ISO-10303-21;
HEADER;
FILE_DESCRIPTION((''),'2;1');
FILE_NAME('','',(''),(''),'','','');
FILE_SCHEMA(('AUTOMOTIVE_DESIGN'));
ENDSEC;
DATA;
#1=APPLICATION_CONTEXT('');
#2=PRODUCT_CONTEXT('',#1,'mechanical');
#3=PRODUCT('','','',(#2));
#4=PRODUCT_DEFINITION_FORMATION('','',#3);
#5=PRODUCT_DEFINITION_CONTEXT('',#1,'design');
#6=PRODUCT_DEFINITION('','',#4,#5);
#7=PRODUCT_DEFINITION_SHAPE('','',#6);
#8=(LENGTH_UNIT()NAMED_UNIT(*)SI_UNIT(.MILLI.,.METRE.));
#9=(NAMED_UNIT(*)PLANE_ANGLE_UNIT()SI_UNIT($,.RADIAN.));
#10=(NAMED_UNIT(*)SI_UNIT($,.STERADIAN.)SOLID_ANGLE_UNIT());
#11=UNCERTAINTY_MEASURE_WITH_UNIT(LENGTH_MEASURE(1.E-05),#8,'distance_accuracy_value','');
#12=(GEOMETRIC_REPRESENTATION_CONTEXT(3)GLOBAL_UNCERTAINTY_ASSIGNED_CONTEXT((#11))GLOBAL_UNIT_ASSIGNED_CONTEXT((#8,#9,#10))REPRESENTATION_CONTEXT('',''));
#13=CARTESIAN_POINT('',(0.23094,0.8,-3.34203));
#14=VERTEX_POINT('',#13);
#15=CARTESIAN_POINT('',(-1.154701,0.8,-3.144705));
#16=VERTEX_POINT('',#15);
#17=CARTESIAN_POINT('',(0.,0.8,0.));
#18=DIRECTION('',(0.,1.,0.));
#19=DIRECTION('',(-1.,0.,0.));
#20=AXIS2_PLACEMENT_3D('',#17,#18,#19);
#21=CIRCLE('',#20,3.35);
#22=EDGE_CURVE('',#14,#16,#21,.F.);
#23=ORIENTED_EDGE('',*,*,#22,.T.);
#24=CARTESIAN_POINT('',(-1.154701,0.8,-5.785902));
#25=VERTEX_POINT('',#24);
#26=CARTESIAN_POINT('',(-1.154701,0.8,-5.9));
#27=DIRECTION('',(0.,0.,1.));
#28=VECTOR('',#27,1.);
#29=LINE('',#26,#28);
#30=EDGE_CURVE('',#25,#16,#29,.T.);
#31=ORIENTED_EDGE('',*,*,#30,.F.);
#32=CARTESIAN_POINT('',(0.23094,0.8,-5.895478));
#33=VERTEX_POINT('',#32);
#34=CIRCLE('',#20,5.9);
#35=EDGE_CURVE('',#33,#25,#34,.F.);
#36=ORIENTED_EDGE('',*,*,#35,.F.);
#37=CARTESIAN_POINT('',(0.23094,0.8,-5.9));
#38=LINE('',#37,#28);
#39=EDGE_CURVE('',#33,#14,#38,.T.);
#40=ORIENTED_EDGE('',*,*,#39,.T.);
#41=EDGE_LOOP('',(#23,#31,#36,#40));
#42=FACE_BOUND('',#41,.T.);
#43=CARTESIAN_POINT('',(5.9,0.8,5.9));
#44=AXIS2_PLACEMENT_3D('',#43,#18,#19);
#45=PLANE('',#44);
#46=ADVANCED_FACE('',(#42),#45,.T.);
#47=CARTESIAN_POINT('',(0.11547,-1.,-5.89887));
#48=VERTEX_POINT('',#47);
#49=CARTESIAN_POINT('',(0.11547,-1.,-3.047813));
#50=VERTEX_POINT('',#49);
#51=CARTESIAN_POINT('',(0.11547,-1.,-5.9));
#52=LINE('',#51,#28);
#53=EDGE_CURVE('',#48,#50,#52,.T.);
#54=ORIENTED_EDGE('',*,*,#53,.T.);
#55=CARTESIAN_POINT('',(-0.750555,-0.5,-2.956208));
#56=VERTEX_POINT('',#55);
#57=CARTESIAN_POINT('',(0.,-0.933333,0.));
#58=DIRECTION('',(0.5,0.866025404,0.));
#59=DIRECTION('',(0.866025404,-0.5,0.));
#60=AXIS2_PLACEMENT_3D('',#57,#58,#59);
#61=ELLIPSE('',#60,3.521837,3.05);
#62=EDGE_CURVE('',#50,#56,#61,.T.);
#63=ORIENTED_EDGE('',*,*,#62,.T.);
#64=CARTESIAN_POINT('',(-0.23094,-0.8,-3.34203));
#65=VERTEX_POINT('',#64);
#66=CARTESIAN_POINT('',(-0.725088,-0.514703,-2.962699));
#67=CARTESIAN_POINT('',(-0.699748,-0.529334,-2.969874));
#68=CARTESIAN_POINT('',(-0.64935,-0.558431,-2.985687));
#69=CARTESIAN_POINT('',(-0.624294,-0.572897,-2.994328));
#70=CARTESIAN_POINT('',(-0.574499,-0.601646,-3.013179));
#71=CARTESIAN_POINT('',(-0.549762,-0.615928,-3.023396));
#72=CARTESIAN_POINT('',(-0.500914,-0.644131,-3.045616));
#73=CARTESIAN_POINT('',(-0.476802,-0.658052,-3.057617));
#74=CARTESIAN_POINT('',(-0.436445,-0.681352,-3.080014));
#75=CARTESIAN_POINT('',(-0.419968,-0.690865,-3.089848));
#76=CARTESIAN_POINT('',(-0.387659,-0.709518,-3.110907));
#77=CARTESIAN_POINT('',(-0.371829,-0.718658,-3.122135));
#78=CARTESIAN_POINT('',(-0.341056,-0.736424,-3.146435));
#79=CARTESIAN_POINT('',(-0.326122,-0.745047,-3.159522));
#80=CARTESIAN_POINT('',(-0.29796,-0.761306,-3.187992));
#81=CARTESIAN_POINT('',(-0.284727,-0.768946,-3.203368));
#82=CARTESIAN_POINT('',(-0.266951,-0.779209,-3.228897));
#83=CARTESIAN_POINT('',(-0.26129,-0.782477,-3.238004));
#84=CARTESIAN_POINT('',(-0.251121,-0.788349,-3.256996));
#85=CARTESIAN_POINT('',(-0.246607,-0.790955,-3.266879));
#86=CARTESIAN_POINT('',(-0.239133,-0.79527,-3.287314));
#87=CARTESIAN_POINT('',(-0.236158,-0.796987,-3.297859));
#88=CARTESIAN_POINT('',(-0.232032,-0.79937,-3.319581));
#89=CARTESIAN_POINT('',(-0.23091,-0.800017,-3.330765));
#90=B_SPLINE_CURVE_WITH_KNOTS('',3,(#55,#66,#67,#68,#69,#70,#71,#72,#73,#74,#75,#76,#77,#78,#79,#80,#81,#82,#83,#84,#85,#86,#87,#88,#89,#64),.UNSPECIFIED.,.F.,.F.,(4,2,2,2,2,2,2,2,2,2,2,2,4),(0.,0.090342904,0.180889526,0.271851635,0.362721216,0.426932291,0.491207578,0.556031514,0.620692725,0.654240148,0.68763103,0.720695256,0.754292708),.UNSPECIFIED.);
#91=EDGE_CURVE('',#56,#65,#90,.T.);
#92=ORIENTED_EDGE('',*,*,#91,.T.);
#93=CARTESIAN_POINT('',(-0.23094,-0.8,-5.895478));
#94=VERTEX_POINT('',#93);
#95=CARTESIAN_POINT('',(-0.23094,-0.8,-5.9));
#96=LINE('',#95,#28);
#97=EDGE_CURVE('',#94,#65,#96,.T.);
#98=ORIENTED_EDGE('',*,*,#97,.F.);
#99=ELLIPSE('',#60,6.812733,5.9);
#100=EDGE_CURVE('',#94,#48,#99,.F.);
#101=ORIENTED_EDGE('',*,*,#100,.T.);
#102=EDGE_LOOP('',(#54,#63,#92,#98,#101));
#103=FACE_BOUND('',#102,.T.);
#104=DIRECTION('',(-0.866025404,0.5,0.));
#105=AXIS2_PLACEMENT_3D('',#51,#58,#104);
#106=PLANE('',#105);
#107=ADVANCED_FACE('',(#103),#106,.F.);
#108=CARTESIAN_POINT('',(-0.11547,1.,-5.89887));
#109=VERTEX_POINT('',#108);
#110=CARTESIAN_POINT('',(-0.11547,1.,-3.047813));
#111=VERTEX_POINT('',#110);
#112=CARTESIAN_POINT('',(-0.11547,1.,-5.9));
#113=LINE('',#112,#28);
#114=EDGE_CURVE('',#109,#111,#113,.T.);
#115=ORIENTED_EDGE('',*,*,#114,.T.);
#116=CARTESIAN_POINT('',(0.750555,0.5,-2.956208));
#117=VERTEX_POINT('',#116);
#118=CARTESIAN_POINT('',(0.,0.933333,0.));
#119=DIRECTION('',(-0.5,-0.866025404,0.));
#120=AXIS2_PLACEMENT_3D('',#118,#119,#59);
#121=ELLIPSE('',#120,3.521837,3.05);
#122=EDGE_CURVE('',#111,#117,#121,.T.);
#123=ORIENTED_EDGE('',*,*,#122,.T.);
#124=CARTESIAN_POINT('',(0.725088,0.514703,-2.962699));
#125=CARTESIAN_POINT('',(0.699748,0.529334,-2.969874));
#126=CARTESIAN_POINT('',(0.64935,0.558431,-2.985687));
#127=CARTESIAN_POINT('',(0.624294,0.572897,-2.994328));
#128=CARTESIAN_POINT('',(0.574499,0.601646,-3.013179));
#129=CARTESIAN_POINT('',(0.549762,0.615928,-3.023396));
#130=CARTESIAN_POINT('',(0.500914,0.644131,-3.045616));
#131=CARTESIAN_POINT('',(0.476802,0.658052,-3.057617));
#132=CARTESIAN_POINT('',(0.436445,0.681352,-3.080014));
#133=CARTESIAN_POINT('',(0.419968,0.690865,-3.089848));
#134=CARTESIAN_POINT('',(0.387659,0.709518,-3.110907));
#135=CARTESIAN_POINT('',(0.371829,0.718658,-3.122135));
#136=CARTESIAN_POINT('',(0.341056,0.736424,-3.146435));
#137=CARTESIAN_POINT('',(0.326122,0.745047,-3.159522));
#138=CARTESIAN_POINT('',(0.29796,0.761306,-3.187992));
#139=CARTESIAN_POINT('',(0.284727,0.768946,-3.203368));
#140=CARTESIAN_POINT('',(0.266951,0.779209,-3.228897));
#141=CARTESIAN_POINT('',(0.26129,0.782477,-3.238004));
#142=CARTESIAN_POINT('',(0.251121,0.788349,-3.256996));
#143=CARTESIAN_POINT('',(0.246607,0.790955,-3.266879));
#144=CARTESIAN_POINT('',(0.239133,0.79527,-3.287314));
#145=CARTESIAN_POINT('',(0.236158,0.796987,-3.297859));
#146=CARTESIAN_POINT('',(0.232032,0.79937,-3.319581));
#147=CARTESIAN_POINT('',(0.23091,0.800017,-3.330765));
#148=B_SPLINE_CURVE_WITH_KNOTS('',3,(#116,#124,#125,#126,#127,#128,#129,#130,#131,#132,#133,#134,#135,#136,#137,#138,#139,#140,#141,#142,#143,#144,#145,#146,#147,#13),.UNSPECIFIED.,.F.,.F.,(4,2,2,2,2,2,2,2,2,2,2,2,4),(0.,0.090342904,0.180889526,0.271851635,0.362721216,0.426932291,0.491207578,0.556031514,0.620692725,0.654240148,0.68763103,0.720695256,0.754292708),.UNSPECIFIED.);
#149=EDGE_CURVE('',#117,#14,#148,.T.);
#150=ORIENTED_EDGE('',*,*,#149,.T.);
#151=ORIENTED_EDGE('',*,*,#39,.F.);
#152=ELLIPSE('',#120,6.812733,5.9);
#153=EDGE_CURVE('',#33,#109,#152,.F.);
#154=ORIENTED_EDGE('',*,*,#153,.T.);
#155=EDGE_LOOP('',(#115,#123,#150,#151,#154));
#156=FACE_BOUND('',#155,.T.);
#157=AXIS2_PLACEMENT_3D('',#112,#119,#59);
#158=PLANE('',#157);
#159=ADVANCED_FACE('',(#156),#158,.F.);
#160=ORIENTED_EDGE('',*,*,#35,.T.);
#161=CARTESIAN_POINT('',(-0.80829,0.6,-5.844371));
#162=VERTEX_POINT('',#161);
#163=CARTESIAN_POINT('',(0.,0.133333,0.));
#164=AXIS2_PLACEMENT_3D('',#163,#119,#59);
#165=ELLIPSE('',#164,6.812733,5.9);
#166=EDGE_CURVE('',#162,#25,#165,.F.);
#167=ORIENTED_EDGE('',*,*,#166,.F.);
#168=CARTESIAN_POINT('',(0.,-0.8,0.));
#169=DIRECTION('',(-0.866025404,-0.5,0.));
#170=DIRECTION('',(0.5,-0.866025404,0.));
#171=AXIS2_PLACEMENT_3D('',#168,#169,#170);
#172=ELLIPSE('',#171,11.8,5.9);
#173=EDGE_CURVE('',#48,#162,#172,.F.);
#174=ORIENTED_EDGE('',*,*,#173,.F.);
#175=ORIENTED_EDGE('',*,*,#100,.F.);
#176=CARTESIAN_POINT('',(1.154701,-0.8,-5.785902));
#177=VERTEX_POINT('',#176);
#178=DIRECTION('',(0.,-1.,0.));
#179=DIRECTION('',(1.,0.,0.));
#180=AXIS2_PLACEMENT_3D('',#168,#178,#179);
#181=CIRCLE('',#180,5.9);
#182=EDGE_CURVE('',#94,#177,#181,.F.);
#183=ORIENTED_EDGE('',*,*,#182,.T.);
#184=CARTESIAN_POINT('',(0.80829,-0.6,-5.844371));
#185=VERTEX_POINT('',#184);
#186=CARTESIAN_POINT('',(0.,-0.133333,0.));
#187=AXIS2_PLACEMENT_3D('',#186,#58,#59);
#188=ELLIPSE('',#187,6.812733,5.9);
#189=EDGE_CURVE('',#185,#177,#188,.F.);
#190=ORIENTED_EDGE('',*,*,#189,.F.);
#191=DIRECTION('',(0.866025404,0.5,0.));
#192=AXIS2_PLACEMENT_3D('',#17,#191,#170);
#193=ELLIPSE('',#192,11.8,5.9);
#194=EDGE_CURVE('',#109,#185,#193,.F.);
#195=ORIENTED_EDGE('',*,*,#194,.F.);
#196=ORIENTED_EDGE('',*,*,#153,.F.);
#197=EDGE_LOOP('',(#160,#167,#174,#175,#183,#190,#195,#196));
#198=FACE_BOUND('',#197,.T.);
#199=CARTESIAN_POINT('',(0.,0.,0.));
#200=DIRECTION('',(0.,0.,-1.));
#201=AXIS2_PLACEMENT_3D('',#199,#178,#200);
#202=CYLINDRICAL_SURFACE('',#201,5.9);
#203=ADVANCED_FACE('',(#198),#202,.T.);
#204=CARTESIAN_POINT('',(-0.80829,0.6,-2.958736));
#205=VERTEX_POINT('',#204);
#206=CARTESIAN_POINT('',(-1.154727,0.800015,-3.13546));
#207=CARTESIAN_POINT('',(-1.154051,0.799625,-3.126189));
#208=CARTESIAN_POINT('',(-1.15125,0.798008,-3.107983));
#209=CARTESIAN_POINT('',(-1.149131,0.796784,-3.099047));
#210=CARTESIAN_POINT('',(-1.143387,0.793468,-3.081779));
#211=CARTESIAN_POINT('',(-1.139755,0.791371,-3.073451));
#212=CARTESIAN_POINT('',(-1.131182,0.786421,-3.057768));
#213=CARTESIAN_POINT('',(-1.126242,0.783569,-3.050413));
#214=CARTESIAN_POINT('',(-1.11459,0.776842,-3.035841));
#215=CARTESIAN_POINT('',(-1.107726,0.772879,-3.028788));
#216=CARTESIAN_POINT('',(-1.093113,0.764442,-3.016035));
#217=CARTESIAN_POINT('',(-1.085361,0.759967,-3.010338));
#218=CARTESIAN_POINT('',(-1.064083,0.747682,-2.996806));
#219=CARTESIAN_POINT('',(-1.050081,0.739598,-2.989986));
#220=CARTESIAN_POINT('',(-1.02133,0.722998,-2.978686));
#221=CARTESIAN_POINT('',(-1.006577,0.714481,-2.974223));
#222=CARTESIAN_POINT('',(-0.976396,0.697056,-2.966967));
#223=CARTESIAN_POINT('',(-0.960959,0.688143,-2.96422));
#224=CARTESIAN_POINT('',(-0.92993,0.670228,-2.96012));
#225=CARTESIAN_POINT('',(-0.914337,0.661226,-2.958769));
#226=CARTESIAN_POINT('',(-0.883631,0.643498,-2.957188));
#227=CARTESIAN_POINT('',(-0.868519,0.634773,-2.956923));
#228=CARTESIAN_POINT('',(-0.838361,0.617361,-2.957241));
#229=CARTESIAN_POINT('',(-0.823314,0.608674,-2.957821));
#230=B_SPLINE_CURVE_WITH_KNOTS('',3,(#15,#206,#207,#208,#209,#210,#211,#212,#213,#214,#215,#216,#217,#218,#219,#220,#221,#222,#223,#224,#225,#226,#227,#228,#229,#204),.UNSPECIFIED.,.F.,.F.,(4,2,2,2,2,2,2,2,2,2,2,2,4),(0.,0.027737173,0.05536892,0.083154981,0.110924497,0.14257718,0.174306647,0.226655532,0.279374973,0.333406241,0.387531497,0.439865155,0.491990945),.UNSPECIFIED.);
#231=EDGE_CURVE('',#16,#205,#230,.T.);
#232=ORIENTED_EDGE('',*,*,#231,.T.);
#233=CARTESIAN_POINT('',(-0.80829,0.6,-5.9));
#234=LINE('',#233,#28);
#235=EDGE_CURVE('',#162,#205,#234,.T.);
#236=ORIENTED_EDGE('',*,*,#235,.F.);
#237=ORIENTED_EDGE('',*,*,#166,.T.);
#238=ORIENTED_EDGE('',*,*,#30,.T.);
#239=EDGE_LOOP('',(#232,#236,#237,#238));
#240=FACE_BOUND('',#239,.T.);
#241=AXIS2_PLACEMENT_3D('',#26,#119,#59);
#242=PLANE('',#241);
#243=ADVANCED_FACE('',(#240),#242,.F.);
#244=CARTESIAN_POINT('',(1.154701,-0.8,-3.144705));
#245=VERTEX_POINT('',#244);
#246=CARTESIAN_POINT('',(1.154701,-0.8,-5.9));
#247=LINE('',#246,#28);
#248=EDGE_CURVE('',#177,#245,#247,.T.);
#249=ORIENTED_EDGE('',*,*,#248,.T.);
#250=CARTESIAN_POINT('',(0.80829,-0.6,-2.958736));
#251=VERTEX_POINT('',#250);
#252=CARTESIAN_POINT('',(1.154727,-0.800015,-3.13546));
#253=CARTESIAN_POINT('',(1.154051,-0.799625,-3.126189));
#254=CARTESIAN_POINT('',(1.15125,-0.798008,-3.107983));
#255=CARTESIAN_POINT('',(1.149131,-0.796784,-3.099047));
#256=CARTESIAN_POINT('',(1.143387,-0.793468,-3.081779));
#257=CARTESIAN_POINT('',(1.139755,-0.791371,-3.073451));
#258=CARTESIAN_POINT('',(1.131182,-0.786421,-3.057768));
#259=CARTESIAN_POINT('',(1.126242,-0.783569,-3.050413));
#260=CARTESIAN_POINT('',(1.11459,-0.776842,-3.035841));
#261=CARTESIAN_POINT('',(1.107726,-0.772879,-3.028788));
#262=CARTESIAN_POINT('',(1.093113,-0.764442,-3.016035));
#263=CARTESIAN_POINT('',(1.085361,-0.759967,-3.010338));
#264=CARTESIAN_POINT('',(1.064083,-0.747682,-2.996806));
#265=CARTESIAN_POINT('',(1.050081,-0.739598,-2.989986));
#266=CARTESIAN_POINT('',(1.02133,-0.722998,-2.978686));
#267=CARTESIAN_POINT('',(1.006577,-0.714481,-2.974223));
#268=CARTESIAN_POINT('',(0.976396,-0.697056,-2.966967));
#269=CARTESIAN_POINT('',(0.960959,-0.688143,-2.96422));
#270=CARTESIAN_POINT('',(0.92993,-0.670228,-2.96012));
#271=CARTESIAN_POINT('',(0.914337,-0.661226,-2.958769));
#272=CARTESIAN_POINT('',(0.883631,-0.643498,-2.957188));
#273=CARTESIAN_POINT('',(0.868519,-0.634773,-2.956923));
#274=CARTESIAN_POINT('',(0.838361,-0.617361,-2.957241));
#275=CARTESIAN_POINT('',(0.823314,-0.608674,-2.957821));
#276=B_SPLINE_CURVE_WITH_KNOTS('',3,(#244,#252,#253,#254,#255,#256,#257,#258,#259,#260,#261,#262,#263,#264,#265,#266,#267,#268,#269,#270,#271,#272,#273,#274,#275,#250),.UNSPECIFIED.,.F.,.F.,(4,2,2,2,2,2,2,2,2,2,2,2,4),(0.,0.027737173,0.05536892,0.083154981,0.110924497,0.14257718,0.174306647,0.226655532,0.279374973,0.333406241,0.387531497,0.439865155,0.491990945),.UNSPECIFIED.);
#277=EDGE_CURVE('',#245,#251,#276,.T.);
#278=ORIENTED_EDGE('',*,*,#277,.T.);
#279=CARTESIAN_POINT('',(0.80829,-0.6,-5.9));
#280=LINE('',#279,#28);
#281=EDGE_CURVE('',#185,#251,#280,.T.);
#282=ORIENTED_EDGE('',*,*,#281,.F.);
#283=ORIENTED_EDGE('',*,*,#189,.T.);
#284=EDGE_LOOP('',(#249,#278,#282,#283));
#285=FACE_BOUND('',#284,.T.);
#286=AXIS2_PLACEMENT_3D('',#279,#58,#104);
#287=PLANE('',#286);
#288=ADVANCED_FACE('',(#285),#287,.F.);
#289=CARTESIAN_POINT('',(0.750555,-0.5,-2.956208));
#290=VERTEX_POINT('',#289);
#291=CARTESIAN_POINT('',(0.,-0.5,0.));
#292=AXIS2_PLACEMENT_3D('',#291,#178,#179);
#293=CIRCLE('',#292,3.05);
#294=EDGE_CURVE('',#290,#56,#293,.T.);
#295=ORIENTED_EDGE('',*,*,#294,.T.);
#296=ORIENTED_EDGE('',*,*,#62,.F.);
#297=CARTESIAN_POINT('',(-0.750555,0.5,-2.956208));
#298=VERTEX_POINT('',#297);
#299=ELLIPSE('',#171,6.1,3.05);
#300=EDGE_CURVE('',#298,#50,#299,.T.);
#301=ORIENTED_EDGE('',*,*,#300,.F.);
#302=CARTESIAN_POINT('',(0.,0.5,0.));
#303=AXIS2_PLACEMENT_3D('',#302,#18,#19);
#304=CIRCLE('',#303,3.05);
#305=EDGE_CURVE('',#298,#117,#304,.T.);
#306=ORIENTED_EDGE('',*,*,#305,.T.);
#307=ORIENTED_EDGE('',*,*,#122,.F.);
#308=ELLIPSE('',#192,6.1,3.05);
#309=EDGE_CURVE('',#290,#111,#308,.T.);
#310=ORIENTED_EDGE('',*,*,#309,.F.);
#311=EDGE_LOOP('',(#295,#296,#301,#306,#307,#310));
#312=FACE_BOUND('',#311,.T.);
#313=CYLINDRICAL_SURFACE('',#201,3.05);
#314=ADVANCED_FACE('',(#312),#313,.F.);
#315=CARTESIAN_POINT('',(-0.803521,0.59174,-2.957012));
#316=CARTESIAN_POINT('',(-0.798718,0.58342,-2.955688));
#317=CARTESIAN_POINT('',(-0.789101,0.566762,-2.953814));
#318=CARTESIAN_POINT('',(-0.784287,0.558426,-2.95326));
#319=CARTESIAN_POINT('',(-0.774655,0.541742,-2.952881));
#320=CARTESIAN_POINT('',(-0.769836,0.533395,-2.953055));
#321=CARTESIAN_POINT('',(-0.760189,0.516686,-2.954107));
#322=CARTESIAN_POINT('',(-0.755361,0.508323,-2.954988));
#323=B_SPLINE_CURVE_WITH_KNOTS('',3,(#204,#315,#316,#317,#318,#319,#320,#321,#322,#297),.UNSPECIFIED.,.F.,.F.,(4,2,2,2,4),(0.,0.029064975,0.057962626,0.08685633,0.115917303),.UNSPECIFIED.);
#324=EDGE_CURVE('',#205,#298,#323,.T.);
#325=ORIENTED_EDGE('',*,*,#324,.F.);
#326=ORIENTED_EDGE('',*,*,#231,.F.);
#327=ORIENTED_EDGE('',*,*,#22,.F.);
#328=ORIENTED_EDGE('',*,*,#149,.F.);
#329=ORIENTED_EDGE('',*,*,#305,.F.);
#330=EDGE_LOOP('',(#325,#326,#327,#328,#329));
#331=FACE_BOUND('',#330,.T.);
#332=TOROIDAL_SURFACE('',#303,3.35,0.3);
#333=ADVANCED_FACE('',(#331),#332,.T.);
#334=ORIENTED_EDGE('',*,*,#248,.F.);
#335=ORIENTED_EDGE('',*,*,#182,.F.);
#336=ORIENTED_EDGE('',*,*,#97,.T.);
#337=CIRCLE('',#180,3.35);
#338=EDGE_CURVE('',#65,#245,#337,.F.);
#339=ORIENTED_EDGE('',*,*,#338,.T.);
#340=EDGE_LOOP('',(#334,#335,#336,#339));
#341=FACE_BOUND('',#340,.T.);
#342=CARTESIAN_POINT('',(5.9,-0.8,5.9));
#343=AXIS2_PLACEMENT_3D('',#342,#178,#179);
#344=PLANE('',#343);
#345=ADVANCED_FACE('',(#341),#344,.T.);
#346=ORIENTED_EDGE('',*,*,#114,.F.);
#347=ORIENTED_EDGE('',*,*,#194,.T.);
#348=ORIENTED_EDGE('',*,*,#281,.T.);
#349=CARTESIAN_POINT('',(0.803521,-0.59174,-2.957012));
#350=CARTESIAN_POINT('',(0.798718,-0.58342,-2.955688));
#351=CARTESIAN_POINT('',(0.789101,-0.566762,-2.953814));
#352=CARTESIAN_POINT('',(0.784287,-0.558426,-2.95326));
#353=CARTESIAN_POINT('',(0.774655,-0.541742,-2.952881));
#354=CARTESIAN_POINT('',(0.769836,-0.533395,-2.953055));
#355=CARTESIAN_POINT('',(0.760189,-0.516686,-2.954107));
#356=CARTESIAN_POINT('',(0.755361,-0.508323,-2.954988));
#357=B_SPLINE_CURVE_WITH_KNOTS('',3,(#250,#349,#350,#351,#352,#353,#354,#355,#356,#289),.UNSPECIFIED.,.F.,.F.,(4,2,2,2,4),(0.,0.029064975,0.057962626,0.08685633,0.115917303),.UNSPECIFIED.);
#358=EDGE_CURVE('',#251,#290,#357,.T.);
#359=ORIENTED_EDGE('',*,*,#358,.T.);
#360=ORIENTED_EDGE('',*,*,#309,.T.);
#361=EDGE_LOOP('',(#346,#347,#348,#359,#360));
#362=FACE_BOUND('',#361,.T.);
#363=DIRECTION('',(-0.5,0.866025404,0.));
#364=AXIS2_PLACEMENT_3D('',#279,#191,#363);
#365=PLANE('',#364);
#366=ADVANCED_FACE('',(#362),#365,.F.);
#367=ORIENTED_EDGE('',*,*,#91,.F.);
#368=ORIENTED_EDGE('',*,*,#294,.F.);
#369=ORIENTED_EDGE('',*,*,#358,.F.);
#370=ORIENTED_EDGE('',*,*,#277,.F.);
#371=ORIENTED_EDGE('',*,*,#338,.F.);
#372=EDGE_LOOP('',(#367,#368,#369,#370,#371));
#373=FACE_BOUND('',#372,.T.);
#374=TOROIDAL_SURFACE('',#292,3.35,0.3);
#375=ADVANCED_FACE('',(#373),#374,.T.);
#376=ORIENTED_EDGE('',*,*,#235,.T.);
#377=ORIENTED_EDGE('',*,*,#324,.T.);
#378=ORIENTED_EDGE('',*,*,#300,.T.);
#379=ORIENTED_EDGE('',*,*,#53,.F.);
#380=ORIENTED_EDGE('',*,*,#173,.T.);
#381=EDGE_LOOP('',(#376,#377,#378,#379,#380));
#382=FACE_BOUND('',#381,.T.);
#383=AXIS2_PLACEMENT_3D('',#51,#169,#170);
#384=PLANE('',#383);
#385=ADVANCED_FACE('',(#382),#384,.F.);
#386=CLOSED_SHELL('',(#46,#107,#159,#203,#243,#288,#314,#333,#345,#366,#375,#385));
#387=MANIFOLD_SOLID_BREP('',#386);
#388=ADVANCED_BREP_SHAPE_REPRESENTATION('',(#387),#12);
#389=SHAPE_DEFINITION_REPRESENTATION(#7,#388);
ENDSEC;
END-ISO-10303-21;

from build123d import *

# Parameters (mm, degrees)
BODYSKE_W       = 2.85
BODYSKE_H       = 20
CUT_EXTRASKE_W  = 11.8
CUT_EXTRASKE_H  = 9.2
CUT_EXTRA_DEPTH = 14.023824323
TYPE_A_DEPTH    = 14.023824323
FILLET1_R       = 0.3


with BuildPart() as part:
    # BodySke → BaseBody (revolve)
    with BuildSketch(Plane.XY, mode=Mode.PRIVATE) as basebody_sk:
        with Locations((4.475, 0)):
            Rectangle(BODYSKE_W, BODYSKE_H)
    revolve(basebody_sk.sketch.rotate(Axis((0, 0, 0), (0, 1, 0)), 90), axis=Axis((0, 0, 0), (0, 1, 0)))

    # Cut-ExtraSke → Cut-Extra (cut, through all)
    with BuildSketch(Plane.XY):
        with Locations((0, -5.4)):
            Rectangle(CUT_EXTRASKE_W, CUT_EXTRASKE_H)
        with Locations((0, 5.4)):
            Rectangle(CUT_EXTRASKE_W, CUT_EXTRASKE_H)
    extrude(amount=CUT_EXTRA_DEPTH, mode=Mode.SUBTRACT)

    # ASke → Type-A (cut, through all)
    with BuildSketch(Plane.XY):
        Polygon((0.115470054, -1), (-0.230940108, -0.8), (-5.9, -0.8), (-5.9, -10), (5.9, -10), (5.9, -0.8), (1.154700538, -0.8), (0.808290377, -0.6), (-0.115470054, 1), (0.230940108, 0.8), (5.9, 0.8), (5.9, 10), (-5.9, 10), (-5.9, 0.8), (-1.154700538, 0.8), (-0.808290377, 0.6), align=None)
    extrude(amount=-TYPE_A_DEPTH, mode=Mode.SUBTRACT)

    # Fillet1
    fillet1_edges = [part.edges().sort_by_distance(p)[0] for p in [
        (-0.474598894, -0.8, 3.012848468),
        (0.474598894, 0.8, 3.012848468),
    ]]
    fillet(fillet1_edges, radius=FILLET1_R)


solid = part.part
